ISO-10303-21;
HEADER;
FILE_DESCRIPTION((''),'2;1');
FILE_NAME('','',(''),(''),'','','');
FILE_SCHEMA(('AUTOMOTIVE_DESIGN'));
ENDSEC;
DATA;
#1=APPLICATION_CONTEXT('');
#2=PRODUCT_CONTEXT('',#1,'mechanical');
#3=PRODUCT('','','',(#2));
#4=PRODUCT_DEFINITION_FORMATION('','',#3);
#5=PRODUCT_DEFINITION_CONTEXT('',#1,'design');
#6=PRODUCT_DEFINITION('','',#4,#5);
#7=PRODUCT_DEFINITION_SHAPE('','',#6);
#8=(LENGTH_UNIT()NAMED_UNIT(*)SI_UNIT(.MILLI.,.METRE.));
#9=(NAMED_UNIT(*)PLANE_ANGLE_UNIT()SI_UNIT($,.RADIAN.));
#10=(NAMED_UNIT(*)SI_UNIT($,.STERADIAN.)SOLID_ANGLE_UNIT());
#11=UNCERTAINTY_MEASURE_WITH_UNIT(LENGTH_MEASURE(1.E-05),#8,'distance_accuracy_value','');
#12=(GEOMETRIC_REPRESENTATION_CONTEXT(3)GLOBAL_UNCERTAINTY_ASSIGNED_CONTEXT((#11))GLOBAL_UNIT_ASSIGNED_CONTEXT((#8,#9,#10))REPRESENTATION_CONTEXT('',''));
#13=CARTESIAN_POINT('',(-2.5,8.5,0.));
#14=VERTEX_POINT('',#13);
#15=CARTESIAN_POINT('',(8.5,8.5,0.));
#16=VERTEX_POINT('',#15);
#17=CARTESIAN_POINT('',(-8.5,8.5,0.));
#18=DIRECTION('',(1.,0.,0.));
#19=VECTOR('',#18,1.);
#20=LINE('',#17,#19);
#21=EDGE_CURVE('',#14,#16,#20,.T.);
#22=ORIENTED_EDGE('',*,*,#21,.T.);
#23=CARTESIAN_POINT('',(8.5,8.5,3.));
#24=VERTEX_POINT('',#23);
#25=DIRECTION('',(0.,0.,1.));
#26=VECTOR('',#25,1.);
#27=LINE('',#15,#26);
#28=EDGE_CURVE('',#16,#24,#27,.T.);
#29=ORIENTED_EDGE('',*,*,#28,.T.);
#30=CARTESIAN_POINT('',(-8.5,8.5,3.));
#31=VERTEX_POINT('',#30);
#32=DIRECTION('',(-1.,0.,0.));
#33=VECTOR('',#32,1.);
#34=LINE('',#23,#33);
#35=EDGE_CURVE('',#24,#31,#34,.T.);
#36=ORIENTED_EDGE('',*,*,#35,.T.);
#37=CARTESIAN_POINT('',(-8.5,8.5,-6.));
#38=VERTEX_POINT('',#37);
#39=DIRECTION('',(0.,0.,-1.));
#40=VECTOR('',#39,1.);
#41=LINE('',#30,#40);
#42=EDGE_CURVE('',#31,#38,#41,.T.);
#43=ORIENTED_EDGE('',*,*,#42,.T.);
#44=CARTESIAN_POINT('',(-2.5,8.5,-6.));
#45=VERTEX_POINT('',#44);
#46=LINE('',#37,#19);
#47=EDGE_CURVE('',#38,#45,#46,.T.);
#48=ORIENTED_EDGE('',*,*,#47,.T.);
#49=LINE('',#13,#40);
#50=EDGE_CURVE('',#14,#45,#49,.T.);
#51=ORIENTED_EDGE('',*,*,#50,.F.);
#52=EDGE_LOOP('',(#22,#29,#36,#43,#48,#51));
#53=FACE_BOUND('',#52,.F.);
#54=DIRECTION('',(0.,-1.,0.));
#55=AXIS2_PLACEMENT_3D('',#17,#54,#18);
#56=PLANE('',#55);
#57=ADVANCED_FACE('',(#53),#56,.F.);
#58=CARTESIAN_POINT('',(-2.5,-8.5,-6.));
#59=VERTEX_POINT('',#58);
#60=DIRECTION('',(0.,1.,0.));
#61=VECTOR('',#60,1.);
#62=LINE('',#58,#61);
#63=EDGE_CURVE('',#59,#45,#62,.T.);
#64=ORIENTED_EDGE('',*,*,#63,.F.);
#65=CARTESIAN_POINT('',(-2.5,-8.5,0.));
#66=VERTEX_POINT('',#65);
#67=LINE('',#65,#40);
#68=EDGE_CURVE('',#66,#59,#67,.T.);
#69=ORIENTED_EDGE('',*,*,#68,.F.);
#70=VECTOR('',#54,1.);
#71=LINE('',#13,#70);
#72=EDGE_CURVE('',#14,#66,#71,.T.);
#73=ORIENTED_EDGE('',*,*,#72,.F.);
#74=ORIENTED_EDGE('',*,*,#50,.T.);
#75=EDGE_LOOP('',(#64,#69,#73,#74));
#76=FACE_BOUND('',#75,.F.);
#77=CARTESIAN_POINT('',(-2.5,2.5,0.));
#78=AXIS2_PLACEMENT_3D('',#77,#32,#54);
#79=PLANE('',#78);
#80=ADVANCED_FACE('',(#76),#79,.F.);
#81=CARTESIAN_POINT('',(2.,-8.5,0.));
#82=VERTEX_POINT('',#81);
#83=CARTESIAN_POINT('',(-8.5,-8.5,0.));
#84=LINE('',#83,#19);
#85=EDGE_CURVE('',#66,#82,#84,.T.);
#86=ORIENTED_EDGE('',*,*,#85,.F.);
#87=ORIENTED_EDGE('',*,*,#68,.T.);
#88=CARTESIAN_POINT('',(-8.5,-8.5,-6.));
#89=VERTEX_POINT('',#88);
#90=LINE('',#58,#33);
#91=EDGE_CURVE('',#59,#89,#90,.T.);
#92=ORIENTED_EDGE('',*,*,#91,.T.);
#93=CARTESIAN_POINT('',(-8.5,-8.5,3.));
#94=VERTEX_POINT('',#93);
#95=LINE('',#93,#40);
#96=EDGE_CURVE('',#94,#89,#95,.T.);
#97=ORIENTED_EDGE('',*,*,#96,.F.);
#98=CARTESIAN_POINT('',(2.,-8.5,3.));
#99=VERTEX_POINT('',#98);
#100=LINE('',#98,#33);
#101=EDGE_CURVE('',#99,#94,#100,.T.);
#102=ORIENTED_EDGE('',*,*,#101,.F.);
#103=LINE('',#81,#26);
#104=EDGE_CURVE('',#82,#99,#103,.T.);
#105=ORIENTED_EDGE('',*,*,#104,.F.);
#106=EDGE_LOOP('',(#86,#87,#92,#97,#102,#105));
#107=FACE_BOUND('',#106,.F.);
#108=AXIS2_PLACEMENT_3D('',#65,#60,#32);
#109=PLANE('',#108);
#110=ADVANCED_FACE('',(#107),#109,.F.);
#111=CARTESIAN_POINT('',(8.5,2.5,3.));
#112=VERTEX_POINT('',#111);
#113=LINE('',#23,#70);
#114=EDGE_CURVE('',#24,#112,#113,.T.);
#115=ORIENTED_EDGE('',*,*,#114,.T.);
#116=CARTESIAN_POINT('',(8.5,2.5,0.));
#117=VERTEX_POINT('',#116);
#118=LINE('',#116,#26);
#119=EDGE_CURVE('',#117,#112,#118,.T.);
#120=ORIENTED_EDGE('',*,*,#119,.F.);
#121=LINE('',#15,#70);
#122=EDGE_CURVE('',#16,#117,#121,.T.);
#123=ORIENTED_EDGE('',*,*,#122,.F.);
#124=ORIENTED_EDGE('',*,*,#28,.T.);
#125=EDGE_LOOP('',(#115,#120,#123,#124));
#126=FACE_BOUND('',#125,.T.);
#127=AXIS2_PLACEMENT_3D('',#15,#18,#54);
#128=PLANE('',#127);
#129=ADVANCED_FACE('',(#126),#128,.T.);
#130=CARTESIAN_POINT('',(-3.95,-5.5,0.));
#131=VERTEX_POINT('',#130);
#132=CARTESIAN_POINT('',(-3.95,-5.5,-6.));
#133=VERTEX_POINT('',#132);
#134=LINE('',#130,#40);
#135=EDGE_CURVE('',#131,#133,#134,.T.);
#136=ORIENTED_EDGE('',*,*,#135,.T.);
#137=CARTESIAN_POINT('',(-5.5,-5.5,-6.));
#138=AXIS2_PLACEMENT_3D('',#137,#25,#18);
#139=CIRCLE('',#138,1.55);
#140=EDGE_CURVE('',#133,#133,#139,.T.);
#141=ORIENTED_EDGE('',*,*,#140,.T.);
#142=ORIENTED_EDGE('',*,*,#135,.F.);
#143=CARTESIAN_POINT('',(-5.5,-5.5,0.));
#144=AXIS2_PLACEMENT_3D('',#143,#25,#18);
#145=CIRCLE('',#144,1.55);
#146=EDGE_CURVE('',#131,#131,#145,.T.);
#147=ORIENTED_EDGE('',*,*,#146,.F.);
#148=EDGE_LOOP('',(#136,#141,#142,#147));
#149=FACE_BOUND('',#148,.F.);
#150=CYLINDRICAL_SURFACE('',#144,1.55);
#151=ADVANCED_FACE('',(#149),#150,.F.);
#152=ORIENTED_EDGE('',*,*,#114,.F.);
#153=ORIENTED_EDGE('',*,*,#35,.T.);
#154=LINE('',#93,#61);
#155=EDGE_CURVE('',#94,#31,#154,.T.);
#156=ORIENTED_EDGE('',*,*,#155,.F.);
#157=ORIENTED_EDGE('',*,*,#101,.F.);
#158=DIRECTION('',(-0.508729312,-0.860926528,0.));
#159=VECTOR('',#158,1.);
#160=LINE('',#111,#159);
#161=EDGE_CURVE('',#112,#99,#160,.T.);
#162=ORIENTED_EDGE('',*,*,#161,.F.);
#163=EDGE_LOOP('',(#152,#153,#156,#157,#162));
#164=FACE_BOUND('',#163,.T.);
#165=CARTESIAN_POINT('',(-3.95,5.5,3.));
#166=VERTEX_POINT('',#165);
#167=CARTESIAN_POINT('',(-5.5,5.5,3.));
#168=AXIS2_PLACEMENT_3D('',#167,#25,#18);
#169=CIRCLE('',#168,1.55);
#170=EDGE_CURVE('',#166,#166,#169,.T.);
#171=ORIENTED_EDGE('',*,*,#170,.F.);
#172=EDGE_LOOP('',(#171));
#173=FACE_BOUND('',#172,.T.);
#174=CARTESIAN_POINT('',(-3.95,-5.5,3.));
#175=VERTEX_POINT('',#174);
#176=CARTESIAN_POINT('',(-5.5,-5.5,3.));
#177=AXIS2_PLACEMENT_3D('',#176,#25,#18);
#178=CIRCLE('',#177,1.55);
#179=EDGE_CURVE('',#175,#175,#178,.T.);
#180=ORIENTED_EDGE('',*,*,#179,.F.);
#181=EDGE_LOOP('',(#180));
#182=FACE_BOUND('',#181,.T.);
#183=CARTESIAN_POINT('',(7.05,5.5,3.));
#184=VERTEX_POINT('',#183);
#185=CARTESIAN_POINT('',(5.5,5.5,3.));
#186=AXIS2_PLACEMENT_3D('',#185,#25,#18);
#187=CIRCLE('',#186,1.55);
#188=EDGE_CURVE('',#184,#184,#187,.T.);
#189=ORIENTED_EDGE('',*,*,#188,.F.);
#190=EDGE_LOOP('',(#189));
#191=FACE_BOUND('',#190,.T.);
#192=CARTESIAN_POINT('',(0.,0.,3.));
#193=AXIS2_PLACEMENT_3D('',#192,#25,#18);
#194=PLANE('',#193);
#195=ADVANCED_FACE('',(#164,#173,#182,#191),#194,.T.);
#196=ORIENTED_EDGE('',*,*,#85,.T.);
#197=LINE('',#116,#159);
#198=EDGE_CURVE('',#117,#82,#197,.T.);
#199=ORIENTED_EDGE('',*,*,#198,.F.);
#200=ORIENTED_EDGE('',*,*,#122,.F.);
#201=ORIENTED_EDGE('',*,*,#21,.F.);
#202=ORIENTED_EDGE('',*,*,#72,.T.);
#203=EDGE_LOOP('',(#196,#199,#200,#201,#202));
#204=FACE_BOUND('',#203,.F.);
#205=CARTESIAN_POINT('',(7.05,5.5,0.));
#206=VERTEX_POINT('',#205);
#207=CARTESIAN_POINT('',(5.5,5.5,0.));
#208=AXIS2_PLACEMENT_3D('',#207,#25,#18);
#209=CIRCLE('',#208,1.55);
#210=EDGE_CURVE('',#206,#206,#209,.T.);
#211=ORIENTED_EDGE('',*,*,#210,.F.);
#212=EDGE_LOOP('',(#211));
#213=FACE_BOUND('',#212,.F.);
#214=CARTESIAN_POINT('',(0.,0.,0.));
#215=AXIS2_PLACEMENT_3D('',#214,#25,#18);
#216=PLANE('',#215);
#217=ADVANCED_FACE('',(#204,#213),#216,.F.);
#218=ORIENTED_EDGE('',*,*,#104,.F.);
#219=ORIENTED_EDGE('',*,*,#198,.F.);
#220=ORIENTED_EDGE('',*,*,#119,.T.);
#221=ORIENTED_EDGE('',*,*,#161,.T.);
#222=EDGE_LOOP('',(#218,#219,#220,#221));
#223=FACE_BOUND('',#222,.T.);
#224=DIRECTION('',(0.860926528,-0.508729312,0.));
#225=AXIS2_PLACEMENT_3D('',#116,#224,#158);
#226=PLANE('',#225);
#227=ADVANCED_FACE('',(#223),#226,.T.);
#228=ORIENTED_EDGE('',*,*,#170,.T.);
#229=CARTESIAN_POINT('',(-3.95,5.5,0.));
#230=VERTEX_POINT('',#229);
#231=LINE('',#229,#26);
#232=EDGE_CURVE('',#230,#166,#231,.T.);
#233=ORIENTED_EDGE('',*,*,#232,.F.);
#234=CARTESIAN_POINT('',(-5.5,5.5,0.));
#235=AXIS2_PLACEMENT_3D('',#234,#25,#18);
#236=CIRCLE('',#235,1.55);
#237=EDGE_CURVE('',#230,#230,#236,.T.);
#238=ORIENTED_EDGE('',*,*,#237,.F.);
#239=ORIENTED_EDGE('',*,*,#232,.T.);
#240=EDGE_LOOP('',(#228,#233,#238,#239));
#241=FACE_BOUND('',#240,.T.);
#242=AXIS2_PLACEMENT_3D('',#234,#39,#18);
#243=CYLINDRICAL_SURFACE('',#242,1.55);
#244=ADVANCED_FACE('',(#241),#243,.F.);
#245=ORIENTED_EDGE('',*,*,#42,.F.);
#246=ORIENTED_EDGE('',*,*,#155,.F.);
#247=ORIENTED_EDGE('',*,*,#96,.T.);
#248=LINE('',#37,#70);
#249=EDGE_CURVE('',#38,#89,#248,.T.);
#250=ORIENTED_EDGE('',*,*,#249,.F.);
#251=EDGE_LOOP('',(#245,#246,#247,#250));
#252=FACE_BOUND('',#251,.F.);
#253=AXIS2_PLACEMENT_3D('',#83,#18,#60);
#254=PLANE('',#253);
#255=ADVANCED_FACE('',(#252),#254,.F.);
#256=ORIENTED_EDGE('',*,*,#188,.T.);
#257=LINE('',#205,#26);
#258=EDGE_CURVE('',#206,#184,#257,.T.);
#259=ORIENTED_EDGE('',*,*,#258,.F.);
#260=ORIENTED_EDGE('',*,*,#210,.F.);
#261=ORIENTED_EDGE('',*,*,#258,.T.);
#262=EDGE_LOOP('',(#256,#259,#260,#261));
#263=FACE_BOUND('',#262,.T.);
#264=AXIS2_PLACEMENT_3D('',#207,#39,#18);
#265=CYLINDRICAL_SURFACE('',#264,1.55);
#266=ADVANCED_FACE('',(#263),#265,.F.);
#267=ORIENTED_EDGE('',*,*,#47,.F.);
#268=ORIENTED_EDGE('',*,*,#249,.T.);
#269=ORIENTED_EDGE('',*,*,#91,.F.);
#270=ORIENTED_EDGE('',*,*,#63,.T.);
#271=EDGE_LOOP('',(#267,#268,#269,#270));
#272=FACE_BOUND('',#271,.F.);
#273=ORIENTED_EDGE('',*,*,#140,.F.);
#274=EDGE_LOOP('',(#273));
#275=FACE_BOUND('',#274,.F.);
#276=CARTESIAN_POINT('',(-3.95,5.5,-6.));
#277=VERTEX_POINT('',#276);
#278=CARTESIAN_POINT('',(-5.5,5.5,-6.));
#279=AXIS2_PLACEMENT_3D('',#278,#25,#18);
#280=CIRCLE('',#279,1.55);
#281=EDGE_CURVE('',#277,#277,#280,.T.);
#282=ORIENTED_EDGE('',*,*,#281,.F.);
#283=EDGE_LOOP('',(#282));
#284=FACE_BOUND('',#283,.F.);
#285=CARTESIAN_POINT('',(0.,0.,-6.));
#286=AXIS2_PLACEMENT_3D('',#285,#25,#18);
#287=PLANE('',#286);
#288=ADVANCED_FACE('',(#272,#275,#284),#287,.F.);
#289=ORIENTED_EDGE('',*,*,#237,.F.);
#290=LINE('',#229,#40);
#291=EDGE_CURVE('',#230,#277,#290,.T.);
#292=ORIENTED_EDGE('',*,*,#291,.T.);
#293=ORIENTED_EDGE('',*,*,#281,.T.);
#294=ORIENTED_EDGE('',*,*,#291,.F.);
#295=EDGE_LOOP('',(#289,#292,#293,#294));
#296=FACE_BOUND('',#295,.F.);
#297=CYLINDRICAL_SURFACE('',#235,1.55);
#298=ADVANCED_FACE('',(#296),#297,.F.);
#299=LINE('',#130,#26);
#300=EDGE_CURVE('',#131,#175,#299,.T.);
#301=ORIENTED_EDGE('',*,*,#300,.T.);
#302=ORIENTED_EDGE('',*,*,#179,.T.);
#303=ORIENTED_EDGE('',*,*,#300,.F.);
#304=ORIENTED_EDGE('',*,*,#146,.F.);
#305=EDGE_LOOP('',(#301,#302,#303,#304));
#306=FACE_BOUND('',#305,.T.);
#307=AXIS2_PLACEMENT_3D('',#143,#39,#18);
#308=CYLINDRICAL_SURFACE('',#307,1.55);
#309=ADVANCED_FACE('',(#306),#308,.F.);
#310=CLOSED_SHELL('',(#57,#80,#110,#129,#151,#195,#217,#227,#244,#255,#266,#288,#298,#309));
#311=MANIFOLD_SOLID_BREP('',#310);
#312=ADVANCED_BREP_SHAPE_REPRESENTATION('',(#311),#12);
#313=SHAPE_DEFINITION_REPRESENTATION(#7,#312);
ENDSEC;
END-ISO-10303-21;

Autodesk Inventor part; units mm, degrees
ref_plane "YZ Plane" through (0, 0, 0) normal (1, 0, 0) x (0, 1, 0)
ref_plane "XZ Plane" through (0, 0, 0) normal (0, 1, 0) x (-1, 0, 0)
ref_plane "XY Plane" through (0, 0, 0) normal (0, 0, 1) x (1, 0, 0)
sketch "Esquisse1" plane through (0, 0, 0) normal (0, 0, 1) x (1, 0, 0)
  line L0 (5.5, -5.5) -> (-5.5, -5.5) construction
  line L1 (-5.5, -5.5) -> (-5.5, 5.5) construction
  line L2 (-5.5, 5.5) -> (5.5, 5.5) construction
  line L3 (5.5, 5.5) -> (5.5, -5.5) construction
  line L4 (5.5, -5.5) -> (-5.5, 5.5) construction
  line L5 (-5.5, -5.5) -> (5.5, 5.5) construction
  circle A0 centre (-5.5, 5.5) radius 1.55
  circle A1 centre (-5.5, -5.5) radius 1.55
  circle A2 centre (5.5, 5.5) radius 1.55
  line L6 (-2.5, -8.5) -> (-8.5, -8.5)
  line L7 (-8.5, -8.5) -> (-8.5, 8.5)
  line L8 (-8.5, 8.5) -> (-2.5, 8.5)
  line L9 (-2.5, 8.5) -> (-2.5, -8.5)
  line L10 (-2.5, -8.5) -> (-8.5, 8.5) construction
  line L11 (-8.5, -8.5) -> (-2.5, 8.5) construction
  line L12 (8.5, 2.5) -> (-8.5, 2.5)
  line L13 (-8.5, 2.5) -> (-8.5, 8.5)
  line L14 (-8.5, 8.5) -> (8.5, 8.5)
  line L15 (8.5, 8.5) -> (8.5, 2.5)
  line L16 (8.5, 2.5) -> (-8.5, 8.5) construction
  line L17 (-8.5, 2.5) -> (8.5, 8.5) construction
  line L18 (-2.5, -8.5) -> (2, -8.5)
  line L19 (8.5, 2.5) -> (2, -8.5)
  point P0 (0, 0)
  point P1 (-5.5, 0)
  point P2 (0, 5.5)
  point P3 (-2.5, 8.5)
  point P4 (-2.5, 2.5)
  dimension "d0" = 11
  dimension "d1" = 3.1
  dimension "d2" = 6
  dimension "d8" = 4.5
extrude "Extrusion1" add sketch "Esquisse1" against normal blind 6 contours L6 L7 L12 L9 | L12 L7 L8 L9
extrude "Extrusion2" add sketch "Esquisse1" along normal blind 3
properties part number "Support Vis rotation"
